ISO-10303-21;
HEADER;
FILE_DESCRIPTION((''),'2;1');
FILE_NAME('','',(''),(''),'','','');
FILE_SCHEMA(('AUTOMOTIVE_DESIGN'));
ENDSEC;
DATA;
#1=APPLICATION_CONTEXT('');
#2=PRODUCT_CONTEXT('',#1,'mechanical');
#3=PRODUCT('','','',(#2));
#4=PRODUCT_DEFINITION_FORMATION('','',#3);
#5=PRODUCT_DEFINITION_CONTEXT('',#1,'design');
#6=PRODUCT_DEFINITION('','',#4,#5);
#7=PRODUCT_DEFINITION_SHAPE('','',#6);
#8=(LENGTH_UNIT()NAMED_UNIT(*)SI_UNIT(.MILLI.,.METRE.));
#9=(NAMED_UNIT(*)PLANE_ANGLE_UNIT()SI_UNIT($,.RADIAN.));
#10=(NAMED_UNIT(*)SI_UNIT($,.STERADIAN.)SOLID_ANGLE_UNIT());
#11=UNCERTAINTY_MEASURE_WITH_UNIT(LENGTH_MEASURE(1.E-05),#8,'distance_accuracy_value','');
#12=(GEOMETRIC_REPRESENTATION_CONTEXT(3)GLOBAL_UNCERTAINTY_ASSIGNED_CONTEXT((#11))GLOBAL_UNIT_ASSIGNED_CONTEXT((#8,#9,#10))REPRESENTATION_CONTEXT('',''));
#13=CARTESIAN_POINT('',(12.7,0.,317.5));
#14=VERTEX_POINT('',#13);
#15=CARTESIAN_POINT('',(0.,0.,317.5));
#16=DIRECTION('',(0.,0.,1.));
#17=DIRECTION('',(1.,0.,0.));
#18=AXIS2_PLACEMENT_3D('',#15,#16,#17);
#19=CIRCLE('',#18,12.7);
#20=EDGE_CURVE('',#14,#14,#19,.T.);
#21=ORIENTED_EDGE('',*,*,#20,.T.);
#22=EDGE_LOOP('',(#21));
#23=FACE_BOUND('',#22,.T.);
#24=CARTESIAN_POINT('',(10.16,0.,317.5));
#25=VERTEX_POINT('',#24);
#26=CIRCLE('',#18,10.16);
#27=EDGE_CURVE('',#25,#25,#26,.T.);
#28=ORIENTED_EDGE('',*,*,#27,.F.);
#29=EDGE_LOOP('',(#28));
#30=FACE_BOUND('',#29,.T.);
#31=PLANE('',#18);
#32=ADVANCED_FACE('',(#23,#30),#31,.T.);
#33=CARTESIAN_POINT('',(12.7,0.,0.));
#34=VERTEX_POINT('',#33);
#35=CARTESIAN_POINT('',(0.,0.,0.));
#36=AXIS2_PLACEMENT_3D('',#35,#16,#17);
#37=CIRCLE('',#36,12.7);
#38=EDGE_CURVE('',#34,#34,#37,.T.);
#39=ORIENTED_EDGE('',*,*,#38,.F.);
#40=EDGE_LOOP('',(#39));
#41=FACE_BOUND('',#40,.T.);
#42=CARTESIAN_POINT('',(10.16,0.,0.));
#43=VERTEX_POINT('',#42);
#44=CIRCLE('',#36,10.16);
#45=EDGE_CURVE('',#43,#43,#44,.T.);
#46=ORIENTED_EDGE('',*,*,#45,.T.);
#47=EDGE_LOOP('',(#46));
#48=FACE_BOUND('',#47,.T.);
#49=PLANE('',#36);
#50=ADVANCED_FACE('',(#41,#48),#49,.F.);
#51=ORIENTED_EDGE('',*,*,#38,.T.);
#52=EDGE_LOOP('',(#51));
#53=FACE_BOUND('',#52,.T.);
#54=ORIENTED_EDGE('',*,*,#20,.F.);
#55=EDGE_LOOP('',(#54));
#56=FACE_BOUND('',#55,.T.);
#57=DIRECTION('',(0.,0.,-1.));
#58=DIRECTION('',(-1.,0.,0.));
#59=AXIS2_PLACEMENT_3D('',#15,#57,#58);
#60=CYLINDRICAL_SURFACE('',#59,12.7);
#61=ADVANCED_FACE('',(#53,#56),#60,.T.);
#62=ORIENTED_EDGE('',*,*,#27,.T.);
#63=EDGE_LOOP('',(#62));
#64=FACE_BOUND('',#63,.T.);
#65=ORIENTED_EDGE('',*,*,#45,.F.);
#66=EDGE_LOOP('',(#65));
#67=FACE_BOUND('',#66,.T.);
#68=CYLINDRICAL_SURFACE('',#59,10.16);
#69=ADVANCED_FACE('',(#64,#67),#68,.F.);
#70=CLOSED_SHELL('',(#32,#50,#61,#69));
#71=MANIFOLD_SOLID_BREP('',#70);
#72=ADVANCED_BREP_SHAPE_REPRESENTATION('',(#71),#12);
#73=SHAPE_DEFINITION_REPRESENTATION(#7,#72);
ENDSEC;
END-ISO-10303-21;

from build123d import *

# Parameters (mm, degrees)
SKETCH1_R           = 12.7
SKETCH1_R_2         = 10.16
BOSS_EXTRUDE1_DEPTH = 317.5


with BuildPart() as part:
    # Sketch1 → Boss-Extrude1 (new body)
    with BuildSketch(Plane.XY):
        Circle(SKETCH1_R)
        Circle(SKETCH1_R_2, mode=Mode.SUBTRACT)
    extrude(amount=BOSS_EXTRUDE1_DEPTH)


solid = part.part
